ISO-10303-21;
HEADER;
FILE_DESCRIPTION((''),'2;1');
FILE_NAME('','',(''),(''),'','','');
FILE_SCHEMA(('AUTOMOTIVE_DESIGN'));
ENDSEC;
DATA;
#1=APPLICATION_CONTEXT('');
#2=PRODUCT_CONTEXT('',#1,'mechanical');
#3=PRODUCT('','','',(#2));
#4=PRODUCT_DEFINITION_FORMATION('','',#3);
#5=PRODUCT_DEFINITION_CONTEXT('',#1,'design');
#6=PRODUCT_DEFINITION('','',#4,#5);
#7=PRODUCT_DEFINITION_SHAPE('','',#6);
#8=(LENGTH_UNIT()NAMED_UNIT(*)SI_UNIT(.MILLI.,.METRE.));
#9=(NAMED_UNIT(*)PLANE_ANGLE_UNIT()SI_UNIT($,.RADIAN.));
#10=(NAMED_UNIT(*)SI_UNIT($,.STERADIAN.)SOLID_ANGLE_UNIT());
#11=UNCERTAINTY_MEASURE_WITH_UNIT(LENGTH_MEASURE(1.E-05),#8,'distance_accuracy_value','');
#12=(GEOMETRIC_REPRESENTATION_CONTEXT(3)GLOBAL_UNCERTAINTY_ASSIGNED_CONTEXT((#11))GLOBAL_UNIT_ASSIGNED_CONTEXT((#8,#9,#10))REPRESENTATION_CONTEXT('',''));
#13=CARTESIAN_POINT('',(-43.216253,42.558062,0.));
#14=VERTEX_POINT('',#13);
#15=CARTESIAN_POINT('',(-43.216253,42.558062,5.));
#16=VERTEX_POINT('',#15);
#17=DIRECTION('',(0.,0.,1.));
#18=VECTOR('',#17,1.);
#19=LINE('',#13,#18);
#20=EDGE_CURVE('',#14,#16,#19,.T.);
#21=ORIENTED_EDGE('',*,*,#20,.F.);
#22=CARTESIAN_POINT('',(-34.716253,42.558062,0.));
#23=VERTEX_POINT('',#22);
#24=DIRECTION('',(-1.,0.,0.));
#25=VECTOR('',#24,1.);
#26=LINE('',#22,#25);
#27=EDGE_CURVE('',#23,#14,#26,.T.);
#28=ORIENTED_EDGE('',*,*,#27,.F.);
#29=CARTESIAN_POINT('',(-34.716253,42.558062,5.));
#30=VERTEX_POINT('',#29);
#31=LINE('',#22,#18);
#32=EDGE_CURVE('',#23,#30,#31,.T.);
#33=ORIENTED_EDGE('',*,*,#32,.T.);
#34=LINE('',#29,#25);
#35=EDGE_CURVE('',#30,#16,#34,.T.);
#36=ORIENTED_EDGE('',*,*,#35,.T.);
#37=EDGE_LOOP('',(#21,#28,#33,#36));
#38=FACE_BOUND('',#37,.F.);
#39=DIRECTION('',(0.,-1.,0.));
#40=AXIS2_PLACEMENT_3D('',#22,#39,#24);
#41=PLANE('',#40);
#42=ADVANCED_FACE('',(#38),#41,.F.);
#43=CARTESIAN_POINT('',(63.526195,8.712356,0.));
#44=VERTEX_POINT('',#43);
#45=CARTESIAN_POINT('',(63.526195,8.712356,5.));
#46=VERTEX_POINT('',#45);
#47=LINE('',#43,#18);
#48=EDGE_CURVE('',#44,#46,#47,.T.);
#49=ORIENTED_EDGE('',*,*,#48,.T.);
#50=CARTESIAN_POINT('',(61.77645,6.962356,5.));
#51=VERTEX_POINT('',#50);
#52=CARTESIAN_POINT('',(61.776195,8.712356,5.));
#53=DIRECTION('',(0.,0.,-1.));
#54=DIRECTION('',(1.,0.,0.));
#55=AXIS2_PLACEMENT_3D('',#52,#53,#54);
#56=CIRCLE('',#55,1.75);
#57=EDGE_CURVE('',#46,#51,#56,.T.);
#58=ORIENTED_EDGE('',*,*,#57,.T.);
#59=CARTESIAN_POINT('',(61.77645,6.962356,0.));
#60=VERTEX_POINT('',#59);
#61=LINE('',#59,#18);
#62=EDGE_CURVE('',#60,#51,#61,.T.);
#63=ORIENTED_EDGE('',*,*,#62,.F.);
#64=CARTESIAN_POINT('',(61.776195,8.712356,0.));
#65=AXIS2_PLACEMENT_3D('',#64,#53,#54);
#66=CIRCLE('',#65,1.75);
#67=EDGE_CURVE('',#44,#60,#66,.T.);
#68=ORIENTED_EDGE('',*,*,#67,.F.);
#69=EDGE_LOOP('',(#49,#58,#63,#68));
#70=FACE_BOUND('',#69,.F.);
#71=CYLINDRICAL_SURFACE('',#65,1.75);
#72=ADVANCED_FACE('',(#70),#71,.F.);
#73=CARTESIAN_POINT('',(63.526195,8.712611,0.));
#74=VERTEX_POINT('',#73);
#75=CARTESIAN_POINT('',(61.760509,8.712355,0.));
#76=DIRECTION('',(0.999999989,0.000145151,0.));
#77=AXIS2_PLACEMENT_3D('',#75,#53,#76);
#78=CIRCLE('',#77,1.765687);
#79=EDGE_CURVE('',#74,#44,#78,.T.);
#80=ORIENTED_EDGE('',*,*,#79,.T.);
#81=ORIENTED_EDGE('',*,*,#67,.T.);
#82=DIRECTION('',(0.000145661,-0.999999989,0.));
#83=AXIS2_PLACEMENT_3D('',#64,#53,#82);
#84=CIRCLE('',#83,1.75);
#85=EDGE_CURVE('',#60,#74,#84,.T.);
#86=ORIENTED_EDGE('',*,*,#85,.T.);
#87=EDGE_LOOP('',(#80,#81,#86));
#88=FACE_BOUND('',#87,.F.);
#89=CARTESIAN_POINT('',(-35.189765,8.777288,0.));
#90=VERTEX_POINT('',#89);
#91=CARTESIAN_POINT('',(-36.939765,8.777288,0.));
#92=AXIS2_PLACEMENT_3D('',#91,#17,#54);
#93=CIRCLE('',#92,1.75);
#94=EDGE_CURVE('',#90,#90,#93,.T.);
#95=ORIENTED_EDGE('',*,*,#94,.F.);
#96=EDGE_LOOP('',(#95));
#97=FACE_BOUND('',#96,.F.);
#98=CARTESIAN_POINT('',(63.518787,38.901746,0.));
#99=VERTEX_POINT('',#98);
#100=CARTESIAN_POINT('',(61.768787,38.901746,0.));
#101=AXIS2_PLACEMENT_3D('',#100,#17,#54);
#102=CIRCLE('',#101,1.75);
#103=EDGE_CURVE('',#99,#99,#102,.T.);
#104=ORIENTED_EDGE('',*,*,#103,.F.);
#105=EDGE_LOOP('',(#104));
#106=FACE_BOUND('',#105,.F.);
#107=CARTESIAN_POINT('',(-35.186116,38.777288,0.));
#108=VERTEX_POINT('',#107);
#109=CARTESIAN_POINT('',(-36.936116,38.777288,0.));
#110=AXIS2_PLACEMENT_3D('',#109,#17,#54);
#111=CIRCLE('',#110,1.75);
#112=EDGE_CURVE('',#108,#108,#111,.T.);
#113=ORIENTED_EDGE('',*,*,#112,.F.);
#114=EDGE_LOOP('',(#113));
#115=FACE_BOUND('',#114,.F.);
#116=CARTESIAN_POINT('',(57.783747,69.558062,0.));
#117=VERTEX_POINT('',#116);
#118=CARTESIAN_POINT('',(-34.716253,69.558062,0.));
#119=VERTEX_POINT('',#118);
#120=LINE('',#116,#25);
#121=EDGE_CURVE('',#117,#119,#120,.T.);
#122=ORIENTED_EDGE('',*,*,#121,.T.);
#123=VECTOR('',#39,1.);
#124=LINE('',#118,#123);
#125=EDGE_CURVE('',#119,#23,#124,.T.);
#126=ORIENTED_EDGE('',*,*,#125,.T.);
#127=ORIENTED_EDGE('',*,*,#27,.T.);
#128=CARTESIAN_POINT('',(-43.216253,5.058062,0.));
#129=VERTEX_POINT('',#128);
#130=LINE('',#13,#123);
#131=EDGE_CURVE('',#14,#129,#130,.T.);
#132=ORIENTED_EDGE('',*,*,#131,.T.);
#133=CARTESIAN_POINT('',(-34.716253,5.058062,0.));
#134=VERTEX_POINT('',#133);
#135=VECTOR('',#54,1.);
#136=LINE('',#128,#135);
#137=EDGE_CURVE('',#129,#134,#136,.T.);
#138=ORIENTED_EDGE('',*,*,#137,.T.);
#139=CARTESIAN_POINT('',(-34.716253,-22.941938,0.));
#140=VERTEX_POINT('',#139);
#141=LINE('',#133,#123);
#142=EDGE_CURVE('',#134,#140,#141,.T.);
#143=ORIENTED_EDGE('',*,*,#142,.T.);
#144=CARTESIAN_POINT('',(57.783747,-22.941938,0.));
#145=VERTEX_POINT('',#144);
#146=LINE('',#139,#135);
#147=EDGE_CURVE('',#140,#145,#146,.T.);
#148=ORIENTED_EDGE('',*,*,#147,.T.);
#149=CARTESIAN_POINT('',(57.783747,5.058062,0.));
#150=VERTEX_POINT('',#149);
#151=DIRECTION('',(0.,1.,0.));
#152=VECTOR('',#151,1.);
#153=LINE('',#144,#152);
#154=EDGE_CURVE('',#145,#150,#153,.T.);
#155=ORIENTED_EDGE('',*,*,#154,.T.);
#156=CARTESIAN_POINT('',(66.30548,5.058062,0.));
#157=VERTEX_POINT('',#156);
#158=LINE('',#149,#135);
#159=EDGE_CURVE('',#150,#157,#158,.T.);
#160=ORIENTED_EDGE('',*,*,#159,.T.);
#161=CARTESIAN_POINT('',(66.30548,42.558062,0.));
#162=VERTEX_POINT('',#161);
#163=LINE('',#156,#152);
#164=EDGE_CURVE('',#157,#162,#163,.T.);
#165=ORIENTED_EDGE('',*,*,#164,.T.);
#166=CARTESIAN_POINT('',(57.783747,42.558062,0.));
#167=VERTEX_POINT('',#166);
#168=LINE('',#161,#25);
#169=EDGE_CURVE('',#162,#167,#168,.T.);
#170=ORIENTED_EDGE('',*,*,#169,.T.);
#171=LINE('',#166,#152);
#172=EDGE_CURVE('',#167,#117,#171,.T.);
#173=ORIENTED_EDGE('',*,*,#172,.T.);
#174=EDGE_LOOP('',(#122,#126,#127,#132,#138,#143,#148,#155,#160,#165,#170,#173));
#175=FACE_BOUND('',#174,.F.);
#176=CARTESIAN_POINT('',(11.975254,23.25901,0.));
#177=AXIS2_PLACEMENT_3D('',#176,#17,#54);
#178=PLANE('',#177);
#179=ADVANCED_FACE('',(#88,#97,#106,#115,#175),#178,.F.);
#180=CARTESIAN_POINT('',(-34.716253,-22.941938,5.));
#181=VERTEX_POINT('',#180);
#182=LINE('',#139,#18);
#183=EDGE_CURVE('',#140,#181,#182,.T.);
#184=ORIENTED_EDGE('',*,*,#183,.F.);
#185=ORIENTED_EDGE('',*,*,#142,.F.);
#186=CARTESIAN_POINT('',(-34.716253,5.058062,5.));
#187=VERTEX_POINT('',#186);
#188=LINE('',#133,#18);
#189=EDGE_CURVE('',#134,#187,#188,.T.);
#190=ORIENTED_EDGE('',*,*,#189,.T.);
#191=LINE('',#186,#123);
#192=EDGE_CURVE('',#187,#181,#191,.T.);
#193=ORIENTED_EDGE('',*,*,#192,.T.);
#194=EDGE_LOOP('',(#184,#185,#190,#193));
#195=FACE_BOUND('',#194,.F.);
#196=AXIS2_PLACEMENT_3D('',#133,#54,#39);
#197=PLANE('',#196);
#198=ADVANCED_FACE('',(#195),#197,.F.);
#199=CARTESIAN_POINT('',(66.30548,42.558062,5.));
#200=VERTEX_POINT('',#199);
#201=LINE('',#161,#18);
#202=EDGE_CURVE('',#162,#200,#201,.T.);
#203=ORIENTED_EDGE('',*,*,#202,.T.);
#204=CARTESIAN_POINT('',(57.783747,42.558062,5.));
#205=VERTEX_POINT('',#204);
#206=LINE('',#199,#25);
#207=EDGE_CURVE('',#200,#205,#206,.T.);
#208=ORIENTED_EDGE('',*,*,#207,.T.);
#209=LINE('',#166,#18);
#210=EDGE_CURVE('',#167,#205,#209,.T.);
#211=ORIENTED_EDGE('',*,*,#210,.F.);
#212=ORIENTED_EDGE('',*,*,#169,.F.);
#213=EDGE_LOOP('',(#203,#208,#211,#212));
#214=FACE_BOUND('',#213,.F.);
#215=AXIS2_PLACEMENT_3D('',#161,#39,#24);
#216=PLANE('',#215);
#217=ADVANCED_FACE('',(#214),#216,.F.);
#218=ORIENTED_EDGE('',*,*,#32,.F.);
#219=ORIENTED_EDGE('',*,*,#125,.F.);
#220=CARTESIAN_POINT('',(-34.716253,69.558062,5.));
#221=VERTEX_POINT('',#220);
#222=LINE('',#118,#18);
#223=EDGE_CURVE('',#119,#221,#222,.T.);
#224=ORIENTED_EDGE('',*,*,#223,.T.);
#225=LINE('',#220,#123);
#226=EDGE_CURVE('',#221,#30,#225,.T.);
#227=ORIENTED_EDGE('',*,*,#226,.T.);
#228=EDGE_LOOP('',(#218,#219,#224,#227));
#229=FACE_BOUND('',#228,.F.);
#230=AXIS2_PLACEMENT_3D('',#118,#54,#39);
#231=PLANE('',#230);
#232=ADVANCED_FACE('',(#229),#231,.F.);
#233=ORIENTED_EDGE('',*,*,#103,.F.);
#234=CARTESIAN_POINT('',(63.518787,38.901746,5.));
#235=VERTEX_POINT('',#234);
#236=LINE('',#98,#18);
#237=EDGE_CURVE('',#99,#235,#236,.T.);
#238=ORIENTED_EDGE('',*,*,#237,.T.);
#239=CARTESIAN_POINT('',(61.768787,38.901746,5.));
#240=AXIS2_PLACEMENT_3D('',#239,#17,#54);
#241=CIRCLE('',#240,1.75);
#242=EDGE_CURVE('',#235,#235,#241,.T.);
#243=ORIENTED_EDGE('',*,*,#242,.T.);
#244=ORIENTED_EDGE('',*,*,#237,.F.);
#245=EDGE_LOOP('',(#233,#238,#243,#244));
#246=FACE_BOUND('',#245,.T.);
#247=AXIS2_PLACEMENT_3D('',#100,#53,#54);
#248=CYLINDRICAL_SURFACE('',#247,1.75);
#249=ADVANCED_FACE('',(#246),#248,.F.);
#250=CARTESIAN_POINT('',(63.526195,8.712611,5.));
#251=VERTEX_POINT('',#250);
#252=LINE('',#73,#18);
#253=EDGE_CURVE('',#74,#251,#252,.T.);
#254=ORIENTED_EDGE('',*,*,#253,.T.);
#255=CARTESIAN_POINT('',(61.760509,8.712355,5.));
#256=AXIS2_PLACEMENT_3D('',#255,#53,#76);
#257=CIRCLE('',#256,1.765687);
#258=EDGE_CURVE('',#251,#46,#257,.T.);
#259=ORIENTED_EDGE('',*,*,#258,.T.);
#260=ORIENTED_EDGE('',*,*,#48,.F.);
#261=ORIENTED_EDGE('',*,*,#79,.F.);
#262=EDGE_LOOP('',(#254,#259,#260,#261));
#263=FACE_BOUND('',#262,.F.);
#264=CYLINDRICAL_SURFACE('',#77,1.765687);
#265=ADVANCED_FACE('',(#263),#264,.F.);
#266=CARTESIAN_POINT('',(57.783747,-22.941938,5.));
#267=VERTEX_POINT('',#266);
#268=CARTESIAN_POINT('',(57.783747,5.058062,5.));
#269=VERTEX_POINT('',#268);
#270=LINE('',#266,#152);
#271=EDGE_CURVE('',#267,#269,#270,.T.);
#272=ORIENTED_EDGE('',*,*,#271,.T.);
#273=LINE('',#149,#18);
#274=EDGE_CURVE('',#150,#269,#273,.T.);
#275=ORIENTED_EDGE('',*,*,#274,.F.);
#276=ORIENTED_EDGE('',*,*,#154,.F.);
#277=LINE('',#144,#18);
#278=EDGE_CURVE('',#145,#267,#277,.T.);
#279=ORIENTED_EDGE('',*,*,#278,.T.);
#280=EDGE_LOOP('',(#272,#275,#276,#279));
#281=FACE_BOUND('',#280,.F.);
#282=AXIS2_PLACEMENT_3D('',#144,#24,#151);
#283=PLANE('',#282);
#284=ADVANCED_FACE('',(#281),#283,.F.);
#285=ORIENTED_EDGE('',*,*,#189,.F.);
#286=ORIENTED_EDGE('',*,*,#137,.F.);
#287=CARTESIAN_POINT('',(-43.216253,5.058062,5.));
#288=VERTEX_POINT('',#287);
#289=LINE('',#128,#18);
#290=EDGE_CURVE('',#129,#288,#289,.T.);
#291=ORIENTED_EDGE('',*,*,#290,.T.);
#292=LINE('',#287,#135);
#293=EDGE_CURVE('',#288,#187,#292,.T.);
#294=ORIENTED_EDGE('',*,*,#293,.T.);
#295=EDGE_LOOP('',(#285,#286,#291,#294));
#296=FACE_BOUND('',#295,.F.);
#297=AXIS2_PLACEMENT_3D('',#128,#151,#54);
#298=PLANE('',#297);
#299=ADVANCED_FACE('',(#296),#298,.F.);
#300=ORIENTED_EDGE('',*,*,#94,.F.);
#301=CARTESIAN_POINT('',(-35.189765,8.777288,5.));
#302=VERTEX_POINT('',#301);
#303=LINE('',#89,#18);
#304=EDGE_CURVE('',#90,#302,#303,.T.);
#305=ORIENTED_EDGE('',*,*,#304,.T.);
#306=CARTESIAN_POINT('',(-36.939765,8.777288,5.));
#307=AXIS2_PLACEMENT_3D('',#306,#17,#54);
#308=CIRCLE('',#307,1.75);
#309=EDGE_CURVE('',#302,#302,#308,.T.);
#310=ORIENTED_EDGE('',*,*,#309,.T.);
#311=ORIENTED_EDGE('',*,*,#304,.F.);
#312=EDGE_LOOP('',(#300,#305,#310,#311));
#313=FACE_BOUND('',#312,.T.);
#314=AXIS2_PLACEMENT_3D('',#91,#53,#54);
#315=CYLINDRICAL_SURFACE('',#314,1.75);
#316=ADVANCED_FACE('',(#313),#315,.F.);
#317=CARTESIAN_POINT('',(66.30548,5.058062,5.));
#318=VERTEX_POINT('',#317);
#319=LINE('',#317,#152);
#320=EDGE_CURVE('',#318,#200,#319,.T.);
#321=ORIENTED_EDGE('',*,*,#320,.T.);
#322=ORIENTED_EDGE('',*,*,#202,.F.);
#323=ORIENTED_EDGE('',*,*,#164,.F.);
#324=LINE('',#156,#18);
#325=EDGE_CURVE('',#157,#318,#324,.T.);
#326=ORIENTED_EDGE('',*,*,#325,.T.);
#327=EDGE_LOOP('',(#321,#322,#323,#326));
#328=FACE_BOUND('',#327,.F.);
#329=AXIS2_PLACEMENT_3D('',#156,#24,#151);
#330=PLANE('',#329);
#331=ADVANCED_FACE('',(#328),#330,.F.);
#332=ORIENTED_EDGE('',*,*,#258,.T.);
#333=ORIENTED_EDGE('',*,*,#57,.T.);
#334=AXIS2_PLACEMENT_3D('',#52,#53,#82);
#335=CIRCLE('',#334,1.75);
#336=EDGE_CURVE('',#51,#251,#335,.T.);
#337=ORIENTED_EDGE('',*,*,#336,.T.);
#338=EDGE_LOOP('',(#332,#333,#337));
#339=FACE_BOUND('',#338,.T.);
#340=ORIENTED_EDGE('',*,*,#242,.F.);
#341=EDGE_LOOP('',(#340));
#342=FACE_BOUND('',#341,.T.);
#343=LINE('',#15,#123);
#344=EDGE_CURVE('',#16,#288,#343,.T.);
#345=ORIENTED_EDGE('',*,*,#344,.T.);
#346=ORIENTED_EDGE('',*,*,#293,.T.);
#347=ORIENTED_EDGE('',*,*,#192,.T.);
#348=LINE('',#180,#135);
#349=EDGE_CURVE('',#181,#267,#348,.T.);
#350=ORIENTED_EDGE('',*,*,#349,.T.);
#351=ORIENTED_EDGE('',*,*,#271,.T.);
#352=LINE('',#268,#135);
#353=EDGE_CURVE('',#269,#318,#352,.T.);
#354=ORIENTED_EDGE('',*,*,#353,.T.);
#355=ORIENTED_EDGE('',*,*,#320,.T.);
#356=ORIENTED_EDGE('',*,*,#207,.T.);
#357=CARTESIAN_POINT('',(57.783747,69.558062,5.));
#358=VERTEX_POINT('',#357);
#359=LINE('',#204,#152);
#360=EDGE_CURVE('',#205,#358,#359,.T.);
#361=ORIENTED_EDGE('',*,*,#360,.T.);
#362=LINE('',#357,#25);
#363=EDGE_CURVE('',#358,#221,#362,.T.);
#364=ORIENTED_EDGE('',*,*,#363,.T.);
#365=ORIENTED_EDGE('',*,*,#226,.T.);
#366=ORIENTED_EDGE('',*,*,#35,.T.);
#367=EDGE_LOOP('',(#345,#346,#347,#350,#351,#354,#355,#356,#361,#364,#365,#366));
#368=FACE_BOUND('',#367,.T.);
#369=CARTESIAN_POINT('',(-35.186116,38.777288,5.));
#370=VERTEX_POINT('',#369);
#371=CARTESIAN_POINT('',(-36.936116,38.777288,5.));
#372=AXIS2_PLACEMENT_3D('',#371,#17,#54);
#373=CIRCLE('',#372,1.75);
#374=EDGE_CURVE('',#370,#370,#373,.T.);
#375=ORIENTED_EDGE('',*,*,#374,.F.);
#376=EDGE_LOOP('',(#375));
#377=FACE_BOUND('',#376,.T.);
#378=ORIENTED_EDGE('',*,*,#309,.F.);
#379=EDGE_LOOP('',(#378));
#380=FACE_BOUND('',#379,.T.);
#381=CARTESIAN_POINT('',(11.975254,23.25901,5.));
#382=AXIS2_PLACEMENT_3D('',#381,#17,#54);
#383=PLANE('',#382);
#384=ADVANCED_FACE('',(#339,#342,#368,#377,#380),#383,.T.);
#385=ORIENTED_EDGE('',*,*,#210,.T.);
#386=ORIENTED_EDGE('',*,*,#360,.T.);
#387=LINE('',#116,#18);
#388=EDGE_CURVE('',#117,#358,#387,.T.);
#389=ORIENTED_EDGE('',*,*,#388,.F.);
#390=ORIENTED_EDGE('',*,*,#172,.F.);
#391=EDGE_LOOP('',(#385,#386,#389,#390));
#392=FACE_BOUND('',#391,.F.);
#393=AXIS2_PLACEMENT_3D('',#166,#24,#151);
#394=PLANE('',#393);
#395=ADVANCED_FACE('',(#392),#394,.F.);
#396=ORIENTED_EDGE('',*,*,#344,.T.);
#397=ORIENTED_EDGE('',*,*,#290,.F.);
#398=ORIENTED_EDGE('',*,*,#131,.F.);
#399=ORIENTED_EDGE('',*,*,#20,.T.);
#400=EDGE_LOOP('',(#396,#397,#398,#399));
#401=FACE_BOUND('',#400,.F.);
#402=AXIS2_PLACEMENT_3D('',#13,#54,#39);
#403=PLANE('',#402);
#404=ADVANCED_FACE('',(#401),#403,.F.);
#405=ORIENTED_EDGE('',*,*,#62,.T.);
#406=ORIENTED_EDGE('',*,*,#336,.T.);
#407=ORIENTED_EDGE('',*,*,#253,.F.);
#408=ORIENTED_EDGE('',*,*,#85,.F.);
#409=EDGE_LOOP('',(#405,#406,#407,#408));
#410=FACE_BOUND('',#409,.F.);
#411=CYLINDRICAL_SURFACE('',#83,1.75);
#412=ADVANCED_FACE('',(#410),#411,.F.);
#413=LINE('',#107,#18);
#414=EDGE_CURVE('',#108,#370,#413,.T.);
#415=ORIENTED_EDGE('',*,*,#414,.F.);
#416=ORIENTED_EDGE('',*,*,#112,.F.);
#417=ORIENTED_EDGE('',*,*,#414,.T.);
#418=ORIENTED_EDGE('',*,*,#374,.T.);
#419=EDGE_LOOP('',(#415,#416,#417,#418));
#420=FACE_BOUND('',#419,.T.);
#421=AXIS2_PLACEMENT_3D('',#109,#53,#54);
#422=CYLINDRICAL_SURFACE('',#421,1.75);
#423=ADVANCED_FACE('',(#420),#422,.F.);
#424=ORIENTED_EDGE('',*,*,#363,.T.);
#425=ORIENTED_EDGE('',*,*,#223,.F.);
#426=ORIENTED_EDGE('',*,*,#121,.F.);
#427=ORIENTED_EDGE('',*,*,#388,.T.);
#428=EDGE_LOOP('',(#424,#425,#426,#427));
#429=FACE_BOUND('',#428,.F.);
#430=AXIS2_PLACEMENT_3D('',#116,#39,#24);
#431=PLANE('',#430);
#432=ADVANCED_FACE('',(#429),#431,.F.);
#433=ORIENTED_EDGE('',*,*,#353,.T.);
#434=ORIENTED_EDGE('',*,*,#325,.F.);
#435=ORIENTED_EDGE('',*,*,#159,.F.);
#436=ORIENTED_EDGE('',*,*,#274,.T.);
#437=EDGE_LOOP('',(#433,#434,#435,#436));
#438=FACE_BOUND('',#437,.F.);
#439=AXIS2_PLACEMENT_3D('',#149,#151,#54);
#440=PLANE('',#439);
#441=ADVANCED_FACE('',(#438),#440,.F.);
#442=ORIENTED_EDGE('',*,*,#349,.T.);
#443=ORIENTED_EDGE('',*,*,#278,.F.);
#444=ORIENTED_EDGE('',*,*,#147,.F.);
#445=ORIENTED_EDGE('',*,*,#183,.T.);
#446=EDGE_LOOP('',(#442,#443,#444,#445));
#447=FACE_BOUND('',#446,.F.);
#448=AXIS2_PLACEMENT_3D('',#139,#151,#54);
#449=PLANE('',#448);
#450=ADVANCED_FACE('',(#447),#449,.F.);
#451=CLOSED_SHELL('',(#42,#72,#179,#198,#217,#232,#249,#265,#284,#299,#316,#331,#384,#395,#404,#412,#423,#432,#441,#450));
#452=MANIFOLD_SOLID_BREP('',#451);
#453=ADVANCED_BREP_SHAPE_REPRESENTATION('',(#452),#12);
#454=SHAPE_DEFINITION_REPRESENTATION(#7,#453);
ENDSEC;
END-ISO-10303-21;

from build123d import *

# Parameters (mm, degrees)
F0_R     = 1.75
F1_DEPTH = 5


with BuildPart() as f1:
    # F0 (on Top) → F1 (new body)
    with BuildSketch(Plane.XY):
        with BuildLine():
            Line((57.7837471709, 69.5580622628), (-34.7162528291, 69.5580622628))
            Line((-34.7162528291, 69.5580622628), (-34.7162528291, 42.5580622628))
            Line((-34.7162528291, 42.5580622628), (-43.2162528291, 42.5580622628))
            Line((-43.2162528291, 42.5580622628), (-43.2162528291, 5.0580622628))
            Line((-43.2162528291, 5.0580622628), (-34.7162528291, 5.0580622628))
            Line((-34.7162528291, 5.0580622628), (-34.7162528291, -22.9419377372))
            Line((-34.7162528291, -22.9419377372), (57.7837471709, -22.9419377372))
            Line((57.7837471709, -22.9419377372), (57.7837471709, 5.0580622628))
            Line((57.7837471709, 5.0580622628), (61.776727438, 5.0580622628))
            Line((61.776727438, 5.0580622628), (61.7764500569, 6.9623562581))
            ThreePointArc((61.7764500569, 6.9623562581), (60.5385780505, 9.9496128474), (63.5261951319, 8.712611146))
            Line((63.5261951319, 8.712611146), (66.3054800854, 8.713015979))
            Line((66.3054800854, 8.713015979), (66.3054800854, 42.5580622628))
            Line((66.3054800854, 42.5580622628), (57.7837471709, 42.5580622628))
            Line((57.7837471709, 42.5580622628), (57.7837471709, 69.5580622628))
        make_face()
        with Locations((-36.9397651508, 8.7772880495)):
            Circle(F0_R, mode=Mode.SUBTRACT)
        with Locations((-36.9361157864, 38.7772880495)):
            Circle(F0_R, mode=Mode.SUBTRACT)
        with Locations((61.7687867672, 38.9017461427)):
            Circle(F0_R, mode=Mode.SUBTRACT)
        with BuildLine():
            Line((66.3054800854, 5.0580622628), (66.3054800854, 8.713015979))
            Line((66.3054800854, 8.713015979), (63.5261951319, 8.712611146))
            ThreePointArc((63.5261951319, 8.712611146), (63.5261951458, 8.7124836928), (63.5261951505, 8.7123562396))
            ThreePointArc((63.5261951505, 8.7123562396), (63.0137221373, 7.4750094988), (61.7764500569, 6.9623562581))
            Line((61.7764500569, 6.9623562581), (61.776727438, 5.0580622628))
            Line((61.776727438, 5.0580622628), (66.3054800854, 5.0580622628))
        make_face()
    extrude(amount=F1_DEPTH)


solid = f1.part
